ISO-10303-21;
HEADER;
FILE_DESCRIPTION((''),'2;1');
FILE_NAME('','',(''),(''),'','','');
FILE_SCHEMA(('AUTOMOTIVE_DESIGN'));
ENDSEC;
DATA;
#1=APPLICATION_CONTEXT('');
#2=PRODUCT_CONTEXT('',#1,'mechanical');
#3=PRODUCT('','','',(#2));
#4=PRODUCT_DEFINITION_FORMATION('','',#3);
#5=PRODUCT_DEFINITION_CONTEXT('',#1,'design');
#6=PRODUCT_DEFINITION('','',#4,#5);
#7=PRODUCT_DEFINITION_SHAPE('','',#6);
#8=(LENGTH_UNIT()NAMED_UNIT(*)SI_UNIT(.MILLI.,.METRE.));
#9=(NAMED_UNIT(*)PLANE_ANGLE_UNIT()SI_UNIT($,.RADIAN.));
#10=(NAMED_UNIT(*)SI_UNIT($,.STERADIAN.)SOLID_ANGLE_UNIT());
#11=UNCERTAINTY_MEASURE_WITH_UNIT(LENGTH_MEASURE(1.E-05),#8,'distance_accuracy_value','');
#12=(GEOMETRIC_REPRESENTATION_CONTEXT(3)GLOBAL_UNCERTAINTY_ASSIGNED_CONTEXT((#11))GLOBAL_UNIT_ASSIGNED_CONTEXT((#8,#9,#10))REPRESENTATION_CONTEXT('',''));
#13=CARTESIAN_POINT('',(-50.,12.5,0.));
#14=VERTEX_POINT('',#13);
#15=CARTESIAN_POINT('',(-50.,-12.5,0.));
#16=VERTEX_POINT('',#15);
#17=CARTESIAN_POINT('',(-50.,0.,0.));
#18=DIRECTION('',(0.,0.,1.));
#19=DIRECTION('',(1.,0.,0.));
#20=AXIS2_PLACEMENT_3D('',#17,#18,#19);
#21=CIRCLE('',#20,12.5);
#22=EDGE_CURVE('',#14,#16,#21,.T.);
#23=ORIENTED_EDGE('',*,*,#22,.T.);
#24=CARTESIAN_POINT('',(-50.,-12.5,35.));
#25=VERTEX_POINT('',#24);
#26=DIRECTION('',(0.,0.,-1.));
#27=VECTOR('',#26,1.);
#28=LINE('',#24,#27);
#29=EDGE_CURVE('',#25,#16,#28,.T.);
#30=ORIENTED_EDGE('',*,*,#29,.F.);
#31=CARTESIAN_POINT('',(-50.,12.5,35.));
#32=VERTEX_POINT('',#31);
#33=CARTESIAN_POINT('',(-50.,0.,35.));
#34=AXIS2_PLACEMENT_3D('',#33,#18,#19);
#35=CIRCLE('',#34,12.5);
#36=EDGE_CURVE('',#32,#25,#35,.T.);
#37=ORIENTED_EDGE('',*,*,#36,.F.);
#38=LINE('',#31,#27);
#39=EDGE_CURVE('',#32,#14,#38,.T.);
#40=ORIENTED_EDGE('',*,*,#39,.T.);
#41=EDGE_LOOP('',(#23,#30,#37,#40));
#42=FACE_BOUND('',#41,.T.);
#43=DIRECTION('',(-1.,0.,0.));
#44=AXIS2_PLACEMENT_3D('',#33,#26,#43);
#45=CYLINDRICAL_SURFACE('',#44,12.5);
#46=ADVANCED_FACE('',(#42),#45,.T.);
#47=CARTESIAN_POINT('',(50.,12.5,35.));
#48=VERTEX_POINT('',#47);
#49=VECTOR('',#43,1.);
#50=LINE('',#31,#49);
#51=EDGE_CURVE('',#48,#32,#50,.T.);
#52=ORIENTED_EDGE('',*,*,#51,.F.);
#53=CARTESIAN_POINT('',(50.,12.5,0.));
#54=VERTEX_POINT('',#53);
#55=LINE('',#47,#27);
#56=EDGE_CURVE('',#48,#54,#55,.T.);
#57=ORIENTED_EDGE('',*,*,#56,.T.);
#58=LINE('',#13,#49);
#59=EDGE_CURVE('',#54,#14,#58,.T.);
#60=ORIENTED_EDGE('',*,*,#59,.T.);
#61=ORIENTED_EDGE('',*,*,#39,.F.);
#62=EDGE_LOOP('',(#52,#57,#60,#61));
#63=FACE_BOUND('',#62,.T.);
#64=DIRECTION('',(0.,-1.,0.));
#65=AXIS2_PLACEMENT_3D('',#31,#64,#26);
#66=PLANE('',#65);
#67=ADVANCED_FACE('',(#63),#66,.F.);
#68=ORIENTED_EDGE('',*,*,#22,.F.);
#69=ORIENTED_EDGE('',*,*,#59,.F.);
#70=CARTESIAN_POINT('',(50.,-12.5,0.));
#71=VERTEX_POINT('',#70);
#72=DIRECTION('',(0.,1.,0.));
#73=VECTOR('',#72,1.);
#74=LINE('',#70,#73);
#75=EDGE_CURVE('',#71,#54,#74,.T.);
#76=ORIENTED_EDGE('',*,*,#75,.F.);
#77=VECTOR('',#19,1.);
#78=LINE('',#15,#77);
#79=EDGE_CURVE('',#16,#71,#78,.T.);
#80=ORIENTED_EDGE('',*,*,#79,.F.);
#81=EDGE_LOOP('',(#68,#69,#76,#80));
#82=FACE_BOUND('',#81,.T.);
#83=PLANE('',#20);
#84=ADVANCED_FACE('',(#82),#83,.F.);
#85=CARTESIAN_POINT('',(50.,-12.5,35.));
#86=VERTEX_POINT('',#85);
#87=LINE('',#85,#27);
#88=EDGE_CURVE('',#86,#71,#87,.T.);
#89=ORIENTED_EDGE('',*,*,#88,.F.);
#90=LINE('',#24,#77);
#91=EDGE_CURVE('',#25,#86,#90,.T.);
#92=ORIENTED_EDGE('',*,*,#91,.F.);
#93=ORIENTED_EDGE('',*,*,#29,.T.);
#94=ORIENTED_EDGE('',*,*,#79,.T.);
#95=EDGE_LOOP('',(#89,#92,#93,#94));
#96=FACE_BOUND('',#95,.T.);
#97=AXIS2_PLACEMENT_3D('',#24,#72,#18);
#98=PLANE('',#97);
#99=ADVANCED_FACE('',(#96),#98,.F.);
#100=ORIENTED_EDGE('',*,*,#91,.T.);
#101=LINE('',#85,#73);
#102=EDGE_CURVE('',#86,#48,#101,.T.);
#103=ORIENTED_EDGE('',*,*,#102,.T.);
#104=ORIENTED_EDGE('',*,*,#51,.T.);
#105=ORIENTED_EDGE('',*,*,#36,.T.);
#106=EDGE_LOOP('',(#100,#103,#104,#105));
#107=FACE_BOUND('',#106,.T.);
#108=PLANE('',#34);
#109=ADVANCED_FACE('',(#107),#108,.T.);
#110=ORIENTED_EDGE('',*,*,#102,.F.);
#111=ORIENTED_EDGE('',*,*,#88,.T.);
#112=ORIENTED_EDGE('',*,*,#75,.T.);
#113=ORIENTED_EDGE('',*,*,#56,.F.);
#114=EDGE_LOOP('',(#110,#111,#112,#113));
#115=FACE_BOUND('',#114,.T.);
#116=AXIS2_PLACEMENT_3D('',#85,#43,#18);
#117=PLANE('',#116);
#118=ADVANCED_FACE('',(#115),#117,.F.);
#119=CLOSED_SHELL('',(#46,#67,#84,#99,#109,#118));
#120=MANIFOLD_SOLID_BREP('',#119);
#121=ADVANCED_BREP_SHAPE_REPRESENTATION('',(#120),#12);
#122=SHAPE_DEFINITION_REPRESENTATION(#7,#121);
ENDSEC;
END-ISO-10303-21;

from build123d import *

# Parameters (mm, degrees)
BOSS_EXTRUDE1_DEPTH = 35


with BuildPart() as part:
    # Sketch1 → Boss-Extrude1 (new body)
    with BuildSketch(Plane.XY):
        with BuildLine():
            Line((-50, -12.5), (50, -12.5))
            Line((50, -12.5), (50, 12.5))
            Line((50, 12.5), (-50, 12.5))
            ThreePointArc((-50, 12.5), (-62.5, 0), (-50, -12.5))
        make_face()
    extrude(amount=BOSS_EXTRUDE1_DEPTH)


solid = part.part
